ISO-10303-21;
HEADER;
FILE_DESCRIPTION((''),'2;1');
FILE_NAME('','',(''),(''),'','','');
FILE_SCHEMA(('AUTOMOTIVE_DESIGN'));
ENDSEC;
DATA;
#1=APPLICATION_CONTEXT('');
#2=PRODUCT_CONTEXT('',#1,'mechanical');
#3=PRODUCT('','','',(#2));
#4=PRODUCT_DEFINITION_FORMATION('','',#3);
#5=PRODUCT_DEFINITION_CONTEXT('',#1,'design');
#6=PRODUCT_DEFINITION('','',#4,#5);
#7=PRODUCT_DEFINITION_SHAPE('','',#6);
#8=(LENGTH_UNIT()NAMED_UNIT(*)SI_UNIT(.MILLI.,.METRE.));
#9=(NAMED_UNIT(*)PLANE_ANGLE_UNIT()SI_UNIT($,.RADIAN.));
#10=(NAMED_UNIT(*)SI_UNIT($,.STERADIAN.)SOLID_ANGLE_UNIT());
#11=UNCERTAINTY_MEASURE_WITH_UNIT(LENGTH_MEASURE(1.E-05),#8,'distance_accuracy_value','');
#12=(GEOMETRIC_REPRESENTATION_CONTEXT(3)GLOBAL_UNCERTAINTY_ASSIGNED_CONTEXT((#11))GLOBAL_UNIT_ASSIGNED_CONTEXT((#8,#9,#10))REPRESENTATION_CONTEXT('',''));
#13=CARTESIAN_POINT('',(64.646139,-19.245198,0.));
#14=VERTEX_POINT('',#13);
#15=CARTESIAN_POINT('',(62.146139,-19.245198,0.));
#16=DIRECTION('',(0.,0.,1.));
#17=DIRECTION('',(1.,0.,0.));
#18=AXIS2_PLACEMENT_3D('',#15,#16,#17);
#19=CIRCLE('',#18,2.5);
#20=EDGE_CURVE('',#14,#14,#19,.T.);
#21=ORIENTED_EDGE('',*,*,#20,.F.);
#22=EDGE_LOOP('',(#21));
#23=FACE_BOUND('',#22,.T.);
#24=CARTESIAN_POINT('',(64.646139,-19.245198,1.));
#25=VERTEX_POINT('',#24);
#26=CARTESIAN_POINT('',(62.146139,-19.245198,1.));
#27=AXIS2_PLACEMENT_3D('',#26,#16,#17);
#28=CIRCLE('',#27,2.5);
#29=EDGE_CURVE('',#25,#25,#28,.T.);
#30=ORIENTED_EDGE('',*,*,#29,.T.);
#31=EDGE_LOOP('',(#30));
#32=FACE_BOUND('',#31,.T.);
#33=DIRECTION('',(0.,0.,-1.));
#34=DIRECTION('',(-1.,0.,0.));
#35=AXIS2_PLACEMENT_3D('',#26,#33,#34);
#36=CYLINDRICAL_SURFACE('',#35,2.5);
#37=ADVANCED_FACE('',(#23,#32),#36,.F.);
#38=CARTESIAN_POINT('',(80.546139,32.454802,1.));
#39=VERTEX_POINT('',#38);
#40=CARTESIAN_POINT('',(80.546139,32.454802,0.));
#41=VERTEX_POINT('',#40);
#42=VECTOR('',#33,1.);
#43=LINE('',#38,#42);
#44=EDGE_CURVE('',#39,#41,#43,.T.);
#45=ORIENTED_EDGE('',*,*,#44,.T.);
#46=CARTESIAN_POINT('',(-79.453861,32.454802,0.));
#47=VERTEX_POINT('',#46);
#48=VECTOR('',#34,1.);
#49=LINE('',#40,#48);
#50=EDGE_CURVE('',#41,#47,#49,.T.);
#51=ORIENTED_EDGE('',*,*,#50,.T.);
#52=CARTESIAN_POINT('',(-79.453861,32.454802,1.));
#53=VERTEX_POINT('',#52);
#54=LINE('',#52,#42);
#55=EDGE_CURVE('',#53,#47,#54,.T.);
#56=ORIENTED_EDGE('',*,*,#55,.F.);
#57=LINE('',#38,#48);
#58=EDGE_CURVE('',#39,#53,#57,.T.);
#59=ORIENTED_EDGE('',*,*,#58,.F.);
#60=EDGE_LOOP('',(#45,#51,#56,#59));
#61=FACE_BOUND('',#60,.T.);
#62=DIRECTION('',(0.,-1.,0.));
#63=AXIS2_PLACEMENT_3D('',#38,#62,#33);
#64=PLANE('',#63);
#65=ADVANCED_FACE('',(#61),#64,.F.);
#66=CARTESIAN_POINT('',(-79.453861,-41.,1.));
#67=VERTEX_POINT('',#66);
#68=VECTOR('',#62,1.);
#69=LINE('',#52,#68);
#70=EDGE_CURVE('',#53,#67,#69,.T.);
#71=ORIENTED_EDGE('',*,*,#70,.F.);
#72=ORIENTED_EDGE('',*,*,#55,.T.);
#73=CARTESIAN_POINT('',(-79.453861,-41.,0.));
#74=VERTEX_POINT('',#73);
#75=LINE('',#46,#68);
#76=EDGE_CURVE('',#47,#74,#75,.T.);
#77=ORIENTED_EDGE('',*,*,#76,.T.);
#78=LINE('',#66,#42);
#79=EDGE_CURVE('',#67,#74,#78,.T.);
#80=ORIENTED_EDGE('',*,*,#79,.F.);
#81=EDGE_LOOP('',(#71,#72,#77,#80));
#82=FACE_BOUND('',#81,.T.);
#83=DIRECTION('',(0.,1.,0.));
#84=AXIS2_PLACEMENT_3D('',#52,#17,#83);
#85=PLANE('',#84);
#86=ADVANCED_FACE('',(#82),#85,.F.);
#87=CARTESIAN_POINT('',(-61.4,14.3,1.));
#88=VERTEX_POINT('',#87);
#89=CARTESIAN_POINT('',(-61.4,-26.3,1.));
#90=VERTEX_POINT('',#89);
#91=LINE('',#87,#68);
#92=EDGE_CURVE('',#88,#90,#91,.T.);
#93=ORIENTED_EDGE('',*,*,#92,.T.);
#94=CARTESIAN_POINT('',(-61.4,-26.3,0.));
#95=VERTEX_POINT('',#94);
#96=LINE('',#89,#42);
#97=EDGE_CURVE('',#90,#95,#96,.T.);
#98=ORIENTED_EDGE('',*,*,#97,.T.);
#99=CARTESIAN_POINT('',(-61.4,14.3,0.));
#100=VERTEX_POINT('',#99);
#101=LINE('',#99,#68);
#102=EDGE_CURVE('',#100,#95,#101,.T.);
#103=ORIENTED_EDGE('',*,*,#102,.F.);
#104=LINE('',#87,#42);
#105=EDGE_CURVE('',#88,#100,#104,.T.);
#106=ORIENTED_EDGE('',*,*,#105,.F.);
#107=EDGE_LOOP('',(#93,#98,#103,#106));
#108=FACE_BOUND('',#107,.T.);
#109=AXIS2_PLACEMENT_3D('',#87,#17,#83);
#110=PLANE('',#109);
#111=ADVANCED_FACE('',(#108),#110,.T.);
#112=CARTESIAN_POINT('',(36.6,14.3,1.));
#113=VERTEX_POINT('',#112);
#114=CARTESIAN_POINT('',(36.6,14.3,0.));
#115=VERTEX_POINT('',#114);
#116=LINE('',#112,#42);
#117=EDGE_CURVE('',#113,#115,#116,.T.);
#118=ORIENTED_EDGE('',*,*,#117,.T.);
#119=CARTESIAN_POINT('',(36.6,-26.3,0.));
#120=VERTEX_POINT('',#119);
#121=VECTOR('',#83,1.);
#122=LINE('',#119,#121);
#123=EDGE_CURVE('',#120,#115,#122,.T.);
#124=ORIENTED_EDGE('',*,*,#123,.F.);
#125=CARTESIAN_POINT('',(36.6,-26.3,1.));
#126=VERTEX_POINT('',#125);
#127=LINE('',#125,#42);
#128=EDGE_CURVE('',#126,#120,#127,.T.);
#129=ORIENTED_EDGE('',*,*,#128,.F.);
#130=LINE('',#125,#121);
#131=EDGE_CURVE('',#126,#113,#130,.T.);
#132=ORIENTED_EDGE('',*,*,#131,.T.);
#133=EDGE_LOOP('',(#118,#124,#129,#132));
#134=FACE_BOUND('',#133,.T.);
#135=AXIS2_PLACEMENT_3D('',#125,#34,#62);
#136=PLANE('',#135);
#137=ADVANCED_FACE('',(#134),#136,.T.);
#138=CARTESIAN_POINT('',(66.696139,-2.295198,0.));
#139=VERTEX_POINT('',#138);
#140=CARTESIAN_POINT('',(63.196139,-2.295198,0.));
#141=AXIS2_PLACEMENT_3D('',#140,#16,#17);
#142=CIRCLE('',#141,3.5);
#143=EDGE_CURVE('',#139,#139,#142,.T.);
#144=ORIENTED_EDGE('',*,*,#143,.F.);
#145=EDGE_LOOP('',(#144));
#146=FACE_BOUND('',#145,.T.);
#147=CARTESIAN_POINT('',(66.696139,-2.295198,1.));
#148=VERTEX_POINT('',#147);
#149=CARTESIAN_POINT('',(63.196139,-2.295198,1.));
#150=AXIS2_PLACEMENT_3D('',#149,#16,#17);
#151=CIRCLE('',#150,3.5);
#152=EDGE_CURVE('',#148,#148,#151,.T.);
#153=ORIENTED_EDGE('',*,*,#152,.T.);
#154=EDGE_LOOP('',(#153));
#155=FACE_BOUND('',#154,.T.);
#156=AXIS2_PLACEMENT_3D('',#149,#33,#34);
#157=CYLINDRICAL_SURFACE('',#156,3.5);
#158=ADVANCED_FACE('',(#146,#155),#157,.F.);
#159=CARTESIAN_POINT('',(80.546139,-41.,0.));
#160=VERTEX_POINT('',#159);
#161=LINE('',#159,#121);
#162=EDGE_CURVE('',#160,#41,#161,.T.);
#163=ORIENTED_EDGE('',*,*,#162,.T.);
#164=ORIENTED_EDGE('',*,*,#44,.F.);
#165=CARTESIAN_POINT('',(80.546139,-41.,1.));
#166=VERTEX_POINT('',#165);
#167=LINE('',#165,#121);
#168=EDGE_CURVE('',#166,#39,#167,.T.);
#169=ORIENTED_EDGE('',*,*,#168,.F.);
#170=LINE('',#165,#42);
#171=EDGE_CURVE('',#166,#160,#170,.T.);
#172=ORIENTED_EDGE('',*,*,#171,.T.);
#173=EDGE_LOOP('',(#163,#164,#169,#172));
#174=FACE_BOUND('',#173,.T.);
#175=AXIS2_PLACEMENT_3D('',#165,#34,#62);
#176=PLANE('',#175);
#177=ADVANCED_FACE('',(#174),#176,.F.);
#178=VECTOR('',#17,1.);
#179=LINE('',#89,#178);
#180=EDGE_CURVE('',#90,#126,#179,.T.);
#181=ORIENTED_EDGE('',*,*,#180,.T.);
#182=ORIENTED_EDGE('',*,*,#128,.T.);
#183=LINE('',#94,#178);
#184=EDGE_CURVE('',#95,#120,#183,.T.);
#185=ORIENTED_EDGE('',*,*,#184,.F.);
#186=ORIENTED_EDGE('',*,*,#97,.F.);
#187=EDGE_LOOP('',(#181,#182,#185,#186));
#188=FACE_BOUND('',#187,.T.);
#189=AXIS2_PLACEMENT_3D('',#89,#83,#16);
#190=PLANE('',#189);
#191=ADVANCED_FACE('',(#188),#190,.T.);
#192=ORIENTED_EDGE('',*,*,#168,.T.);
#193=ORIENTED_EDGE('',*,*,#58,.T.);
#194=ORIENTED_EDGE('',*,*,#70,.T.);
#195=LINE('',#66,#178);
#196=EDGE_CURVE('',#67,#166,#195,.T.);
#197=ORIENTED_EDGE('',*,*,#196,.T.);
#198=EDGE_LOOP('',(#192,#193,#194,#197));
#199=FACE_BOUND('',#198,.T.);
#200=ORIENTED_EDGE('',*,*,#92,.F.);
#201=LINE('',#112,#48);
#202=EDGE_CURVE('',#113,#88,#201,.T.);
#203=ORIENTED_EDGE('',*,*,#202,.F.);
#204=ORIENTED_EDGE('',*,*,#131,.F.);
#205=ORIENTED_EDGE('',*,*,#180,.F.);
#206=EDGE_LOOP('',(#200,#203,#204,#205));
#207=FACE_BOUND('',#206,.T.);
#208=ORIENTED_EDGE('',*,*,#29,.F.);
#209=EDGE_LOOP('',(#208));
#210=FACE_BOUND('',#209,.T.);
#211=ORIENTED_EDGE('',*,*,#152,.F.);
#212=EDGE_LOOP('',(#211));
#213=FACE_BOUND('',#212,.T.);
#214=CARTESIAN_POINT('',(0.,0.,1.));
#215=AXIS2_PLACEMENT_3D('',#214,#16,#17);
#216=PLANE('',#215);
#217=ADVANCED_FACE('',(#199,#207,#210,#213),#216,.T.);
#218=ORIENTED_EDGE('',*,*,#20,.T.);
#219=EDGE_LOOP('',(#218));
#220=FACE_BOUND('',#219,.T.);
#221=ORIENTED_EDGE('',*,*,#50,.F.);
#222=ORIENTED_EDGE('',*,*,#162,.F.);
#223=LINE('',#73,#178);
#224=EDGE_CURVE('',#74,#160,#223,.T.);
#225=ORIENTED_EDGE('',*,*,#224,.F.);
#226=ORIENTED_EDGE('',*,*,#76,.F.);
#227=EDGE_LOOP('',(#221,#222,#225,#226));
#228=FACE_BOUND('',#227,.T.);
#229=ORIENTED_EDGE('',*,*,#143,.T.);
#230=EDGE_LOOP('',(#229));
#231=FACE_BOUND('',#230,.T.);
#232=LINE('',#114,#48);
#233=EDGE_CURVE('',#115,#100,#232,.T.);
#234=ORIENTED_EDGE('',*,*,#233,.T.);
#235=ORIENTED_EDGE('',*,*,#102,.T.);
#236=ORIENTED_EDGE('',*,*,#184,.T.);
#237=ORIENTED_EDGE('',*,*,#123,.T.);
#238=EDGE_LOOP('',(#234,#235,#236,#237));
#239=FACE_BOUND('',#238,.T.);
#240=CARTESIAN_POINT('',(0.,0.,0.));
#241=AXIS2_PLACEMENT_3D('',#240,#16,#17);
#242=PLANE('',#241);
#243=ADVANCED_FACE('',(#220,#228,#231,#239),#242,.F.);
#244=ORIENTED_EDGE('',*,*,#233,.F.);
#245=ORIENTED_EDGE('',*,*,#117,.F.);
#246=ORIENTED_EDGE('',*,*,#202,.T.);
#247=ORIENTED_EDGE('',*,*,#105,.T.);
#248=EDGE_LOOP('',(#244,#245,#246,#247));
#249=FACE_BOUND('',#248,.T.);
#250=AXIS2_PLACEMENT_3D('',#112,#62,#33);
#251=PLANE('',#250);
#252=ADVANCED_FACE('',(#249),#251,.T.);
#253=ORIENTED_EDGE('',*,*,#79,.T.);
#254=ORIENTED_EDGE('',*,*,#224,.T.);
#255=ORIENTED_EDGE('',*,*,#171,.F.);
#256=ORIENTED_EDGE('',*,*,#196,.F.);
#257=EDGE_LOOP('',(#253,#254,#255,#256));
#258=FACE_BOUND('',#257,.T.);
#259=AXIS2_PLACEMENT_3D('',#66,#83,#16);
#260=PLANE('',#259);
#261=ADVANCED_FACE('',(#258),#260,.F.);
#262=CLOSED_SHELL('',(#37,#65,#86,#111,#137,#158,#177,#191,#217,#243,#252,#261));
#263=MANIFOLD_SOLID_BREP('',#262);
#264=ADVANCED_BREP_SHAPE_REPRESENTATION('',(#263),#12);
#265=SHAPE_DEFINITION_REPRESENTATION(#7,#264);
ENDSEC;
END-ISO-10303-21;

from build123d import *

# Parameters (mm, degrees)
SZKIC1_W                    = 160
SZKIC1_H                    = 73.454801658
SZKIC1_R                    = 2.5
SZKIC1_R_2                  = 3.5
SZKIC1_W_2                  = 98
SZKIC1_H_2                  = 40.6
DODANIE_WYCI_GNI_CIE1_DEPTH = 1


with BuildPart() as part:
    # Szkic1 → Dodanie-wyciągnięcie1 (new body)
    with BuildSketch(Plane.XY):
        with Locations((0.546139269, -4.272599171)):
            Rectangle(SZKIC1_W, SZKIC1_H)
        with Locations((62.146139269, -19.245198342)):
            Circle(SZKIC1_R, mode=Mode.SUBTRACT)
        with Locations((63.196139269, -2.295198342)):
            Circle(SZKIC1_R_2, mode=Mode.SUBTRACT)
        with Locations((-12.4, -6)):
            Rectangle(SZKIC1_W_2, SZKIC1_H_2, mode=Mode.SUBTRACT)
    extrude(amount=DODANIE_WYCI_GNI_CIE1_DEPTH)


solid = part.part
